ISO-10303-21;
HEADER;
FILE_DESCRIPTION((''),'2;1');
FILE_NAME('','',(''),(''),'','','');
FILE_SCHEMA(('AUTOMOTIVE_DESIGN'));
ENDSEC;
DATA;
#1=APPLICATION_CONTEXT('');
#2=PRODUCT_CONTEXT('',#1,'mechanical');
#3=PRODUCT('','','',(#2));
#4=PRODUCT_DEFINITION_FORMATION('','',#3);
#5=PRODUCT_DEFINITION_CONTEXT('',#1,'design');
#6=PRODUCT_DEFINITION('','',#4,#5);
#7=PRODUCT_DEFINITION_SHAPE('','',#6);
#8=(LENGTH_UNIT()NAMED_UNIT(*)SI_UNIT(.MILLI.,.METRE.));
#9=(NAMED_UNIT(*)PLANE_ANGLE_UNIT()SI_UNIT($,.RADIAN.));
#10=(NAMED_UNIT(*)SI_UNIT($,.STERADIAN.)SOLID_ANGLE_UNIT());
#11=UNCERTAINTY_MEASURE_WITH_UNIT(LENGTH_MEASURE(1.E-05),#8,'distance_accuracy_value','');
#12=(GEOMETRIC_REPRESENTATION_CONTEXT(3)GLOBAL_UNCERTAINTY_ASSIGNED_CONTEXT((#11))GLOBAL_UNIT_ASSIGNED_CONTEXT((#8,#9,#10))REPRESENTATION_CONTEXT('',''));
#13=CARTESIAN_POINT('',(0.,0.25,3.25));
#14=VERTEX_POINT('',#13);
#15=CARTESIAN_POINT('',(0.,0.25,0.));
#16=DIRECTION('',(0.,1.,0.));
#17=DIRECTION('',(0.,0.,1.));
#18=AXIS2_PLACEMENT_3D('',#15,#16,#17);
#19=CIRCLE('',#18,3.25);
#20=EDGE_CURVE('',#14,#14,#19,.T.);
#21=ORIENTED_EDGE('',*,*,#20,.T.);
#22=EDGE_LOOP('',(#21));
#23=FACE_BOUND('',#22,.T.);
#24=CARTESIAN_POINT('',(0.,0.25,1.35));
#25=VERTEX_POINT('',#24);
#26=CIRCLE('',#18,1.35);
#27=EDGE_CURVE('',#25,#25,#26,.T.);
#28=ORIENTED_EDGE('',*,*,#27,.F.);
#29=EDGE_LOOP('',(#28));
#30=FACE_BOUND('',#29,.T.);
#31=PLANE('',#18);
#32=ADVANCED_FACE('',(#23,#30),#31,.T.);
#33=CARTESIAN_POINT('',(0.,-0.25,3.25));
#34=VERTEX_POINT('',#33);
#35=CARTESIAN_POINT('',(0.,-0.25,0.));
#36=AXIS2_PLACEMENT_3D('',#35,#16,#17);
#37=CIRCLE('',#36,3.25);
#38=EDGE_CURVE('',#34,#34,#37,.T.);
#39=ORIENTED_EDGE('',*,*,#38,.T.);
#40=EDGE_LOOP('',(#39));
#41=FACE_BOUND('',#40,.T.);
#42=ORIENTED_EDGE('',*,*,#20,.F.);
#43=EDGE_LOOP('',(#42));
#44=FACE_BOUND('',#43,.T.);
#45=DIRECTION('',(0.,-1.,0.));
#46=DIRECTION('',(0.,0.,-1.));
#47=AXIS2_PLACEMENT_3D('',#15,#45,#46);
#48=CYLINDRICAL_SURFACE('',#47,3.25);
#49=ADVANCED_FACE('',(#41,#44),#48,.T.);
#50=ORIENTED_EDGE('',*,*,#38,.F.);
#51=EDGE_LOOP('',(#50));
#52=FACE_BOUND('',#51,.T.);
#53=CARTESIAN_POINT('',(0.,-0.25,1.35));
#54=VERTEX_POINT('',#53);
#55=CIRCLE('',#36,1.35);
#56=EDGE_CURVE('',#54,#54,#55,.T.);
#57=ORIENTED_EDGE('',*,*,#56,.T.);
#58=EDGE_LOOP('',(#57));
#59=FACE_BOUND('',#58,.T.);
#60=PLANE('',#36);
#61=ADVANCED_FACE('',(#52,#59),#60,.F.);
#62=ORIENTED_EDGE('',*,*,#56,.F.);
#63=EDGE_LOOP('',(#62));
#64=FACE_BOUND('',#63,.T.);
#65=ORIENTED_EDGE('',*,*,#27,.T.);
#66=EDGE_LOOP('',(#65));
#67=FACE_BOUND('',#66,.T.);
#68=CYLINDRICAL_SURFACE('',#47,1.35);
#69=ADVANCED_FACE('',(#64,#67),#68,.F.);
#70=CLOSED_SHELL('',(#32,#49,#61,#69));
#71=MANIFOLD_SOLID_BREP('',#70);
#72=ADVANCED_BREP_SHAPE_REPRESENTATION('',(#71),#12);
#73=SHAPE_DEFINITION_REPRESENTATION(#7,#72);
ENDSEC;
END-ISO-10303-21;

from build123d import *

# Parameters (mm, degrees)
ESQUISSE1_R        = 3.25
ESQUISSE1_R_2      = 1.35
BOSS_EXTRU_1_DEPTH = 0.25


with BuildPart() as part:
    # Esquisse1 → Boss.-Extru.1 (new, symmetric)
    with BuildSketch(Plane(origin=(0, 0, 0), x_dir=(1, 0, 0), z_dir=(0, 1, 0))):
        with Locations(Location((0, 0, 0), (0, 0, 270))):
            Circle(ESQUISSE1_R)
        with Locations(Location((0, 0, 0), (0, 0, 270))):
            Circle(ESQUISSE1_R_2, mode=Mode.SUBTRACT)
    extrude(amount=BOSS_EXTRU_1_DEPTH, both=True)


solid = part.part
